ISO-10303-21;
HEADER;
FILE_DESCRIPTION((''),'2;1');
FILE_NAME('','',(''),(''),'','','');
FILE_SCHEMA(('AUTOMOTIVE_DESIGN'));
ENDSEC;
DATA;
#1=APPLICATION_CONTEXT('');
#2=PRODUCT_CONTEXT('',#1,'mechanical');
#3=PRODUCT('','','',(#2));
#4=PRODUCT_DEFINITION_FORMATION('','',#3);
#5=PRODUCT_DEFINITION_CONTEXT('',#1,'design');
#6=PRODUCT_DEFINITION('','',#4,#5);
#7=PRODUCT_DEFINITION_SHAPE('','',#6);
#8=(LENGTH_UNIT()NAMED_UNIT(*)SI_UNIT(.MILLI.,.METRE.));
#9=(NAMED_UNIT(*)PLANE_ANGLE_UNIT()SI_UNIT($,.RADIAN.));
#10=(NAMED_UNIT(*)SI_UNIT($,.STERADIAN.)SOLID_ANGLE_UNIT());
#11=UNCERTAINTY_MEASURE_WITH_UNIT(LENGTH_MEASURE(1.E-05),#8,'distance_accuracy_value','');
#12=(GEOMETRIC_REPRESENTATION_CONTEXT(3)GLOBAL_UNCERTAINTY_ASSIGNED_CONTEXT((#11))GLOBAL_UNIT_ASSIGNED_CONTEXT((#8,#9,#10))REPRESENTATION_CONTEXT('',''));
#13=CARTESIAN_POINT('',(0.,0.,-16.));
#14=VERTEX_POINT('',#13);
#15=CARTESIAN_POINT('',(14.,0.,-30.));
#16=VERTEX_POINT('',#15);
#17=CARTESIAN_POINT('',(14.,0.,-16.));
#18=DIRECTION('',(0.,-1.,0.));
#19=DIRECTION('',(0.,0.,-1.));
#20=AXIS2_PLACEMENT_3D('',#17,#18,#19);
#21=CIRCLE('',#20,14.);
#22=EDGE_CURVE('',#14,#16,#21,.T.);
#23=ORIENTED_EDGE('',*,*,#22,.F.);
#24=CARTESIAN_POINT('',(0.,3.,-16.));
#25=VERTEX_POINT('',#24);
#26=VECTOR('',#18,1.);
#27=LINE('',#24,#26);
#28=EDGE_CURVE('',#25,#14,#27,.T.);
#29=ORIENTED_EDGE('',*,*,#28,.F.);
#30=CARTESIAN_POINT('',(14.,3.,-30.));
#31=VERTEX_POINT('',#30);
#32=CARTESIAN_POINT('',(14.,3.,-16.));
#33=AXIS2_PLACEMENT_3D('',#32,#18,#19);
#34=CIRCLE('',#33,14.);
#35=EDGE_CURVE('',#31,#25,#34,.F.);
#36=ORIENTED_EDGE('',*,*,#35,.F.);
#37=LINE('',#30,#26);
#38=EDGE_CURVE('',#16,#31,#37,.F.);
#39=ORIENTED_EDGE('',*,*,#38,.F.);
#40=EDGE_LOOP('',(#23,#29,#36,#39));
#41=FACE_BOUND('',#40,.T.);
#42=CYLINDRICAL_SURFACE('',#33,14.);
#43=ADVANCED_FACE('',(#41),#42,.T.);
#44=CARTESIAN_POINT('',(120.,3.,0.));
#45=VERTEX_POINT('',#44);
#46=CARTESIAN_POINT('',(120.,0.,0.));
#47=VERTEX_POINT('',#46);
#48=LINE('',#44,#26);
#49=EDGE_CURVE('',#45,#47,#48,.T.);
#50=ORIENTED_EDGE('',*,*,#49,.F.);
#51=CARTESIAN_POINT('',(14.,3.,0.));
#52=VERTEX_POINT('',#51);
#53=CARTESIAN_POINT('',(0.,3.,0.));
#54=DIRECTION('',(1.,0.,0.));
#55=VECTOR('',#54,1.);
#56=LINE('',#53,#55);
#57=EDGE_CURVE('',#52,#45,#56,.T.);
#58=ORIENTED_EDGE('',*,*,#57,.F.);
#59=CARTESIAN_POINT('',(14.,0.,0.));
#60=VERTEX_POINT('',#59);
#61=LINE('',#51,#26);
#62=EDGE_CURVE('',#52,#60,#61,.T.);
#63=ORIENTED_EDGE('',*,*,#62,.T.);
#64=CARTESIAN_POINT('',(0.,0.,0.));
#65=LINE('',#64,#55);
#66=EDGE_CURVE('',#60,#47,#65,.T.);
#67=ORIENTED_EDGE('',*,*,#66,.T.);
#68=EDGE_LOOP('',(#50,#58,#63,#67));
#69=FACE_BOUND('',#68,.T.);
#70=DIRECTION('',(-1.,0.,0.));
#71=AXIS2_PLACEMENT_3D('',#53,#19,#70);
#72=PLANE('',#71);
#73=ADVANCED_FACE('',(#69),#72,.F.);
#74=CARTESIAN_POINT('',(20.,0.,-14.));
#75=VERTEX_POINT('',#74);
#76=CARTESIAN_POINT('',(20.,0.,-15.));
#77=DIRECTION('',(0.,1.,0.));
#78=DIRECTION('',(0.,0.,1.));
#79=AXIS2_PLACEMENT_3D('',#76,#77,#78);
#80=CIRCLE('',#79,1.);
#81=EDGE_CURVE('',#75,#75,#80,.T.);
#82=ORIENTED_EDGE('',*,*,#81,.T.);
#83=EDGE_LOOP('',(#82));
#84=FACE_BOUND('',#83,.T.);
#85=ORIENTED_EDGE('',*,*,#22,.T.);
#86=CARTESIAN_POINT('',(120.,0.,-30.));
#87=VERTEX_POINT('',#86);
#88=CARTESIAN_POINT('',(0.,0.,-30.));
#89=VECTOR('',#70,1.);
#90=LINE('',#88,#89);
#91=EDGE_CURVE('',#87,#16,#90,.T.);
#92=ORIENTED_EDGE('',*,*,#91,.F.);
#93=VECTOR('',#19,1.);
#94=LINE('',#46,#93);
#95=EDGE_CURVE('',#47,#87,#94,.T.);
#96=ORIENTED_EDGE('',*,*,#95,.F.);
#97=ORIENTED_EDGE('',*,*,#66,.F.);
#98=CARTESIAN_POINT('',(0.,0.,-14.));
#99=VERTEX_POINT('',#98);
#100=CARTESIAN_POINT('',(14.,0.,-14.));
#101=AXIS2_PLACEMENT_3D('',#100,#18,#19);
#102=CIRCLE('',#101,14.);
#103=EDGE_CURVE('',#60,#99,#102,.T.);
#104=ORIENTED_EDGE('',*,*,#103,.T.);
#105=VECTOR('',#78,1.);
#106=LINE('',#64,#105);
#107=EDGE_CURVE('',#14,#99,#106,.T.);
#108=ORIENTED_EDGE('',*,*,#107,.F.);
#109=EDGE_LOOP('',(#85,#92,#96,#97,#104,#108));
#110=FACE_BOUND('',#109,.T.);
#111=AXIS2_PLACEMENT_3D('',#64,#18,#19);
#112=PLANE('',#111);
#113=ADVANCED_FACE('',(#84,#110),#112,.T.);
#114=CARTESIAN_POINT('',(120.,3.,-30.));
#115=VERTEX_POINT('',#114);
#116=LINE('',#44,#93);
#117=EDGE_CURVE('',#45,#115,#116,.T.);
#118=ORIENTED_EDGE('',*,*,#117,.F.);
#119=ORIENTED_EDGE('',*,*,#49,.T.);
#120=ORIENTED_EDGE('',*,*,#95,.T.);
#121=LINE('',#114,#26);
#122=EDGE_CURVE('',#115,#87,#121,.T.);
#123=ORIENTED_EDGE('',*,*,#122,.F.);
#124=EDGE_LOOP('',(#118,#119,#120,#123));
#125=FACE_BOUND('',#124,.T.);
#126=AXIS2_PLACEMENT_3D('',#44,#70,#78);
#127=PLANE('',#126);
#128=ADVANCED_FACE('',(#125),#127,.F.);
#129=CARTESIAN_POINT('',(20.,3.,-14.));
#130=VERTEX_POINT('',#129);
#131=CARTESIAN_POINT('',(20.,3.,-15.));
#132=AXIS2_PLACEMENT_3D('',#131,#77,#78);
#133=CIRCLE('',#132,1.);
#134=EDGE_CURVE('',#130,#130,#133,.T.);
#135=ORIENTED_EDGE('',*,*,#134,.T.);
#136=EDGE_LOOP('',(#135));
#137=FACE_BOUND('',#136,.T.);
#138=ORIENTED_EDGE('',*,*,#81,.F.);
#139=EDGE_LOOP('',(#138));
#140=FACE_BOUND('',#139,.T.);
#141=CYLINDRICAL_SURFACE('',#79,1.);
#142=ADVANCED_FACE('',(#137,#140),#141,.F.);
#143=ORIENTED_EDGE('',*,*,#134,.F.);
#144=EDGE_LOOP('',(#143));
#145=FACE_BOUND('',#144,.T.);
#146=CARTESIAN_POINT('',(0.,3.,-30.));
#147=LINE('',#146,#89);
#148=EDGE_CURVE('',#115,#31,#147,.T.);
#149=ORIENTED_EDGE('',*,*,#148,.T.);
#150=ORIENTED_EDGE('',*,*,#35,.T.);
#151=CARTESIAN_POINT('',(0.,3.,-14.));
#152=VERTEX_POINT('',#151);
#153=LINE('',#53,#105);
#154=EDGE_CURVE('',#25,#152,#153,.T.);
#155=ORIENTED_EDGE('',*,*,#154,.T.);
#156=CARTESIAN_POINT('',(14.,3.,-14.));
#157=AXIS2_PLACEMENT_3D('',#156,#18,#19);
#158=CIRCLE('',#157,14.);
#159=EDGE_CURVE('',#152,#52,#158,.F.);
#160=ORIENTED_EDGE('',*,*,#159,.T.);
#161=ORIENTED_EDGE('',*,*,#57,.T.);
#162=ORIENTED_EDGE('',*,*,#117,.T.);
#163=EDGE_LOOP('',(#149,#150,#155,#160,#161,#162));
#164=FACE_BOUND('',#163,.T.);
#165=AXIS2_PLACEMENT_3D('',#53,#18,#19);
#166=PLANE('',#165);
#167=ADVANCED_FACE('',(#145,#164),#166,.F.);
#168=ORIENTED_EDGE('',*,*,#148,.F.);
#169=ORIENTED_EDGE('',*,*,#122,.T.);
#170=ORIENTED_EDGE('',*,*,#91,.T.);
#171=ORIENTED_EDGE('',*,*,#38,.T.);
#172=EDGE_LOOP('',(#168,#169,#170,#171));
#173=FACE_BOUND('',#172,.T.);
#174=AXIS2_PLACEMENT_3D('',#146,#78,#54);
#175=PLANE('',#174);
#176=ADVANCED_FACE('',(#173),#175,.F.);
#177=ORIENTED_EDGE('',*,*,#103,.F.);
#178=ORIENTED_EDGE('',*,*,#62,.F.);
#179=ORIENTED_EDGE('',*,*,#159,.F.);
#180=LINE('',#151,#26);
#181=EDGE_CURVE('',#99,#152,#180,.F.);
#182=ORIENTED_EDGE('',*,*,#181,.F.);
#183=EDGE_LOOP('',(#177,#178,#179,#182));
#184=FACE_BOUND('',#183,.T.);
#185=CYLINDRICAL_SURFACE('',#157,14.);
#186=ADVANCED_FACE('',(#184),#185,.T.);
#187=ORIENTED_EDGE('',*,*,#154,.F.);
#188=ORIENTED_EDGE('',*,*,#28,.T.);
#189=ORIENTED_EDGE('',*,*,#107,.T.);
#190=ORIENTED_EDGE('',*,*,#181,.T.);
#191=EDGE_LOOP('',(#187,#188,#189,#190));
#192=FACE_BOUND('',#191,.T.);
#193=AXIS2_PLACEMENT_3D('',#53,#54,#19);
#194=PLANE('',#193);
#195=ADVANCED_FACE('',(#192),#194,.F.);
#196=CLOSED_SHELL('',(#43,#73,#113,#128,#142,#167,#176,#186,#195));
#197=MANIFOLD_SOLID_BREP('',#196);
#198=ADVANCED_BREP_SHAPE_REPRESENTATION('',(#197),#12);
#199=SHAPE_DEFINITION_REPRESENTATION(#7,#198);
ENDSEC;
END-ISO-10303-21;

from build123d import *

# Parameters (mm, degrees)
SKETCH1_W           = 120
SKETCH1_H           = 30
BOSS_EXTRUDE1_DEPTH = 3
SKETCH3_R           = 1
CUT_EXTRUDE1_DEPTH  = 4
FILLET1_R           = 14


with BuildPart() as part:
    # Sketch1 → Boss-Extrude1 (new body)
    with BuildSketch(Plane(origin=(0, 0, 0), x_dir=(1, 0, 0), z_dir=(0, 1, 0))):
        with Locations((60, 15)):
            Rectangle(SKETCH1_W, SKETCH1_H)
    extrude(amount=BOSS_EXTRUDE1_DEPTH)

    # Sketch3 → Cut-Extrude1 (cut, through all)
    with BuildSketch(Plane(origin=(0, 3, 0), x_dir=(1, 0, 0), z_dir=(0, 1, 0))):
        with Locations((20, 15)):
            Circle(SKETCH3_R)
    extrude(amount=-CUT_EXTRUDE1_DEPTH, mode=Mode.SUBTRACT)

    # Fillet1
    fillet1_edges = [part.edges().sort_by_distance(p)[0] for p in [
        (0, 1.5, -30),
        (0, 1.5, 0),
    ]]
    fillet(fillet1_edges, radius=FILLET1_R)


solid = part.part
